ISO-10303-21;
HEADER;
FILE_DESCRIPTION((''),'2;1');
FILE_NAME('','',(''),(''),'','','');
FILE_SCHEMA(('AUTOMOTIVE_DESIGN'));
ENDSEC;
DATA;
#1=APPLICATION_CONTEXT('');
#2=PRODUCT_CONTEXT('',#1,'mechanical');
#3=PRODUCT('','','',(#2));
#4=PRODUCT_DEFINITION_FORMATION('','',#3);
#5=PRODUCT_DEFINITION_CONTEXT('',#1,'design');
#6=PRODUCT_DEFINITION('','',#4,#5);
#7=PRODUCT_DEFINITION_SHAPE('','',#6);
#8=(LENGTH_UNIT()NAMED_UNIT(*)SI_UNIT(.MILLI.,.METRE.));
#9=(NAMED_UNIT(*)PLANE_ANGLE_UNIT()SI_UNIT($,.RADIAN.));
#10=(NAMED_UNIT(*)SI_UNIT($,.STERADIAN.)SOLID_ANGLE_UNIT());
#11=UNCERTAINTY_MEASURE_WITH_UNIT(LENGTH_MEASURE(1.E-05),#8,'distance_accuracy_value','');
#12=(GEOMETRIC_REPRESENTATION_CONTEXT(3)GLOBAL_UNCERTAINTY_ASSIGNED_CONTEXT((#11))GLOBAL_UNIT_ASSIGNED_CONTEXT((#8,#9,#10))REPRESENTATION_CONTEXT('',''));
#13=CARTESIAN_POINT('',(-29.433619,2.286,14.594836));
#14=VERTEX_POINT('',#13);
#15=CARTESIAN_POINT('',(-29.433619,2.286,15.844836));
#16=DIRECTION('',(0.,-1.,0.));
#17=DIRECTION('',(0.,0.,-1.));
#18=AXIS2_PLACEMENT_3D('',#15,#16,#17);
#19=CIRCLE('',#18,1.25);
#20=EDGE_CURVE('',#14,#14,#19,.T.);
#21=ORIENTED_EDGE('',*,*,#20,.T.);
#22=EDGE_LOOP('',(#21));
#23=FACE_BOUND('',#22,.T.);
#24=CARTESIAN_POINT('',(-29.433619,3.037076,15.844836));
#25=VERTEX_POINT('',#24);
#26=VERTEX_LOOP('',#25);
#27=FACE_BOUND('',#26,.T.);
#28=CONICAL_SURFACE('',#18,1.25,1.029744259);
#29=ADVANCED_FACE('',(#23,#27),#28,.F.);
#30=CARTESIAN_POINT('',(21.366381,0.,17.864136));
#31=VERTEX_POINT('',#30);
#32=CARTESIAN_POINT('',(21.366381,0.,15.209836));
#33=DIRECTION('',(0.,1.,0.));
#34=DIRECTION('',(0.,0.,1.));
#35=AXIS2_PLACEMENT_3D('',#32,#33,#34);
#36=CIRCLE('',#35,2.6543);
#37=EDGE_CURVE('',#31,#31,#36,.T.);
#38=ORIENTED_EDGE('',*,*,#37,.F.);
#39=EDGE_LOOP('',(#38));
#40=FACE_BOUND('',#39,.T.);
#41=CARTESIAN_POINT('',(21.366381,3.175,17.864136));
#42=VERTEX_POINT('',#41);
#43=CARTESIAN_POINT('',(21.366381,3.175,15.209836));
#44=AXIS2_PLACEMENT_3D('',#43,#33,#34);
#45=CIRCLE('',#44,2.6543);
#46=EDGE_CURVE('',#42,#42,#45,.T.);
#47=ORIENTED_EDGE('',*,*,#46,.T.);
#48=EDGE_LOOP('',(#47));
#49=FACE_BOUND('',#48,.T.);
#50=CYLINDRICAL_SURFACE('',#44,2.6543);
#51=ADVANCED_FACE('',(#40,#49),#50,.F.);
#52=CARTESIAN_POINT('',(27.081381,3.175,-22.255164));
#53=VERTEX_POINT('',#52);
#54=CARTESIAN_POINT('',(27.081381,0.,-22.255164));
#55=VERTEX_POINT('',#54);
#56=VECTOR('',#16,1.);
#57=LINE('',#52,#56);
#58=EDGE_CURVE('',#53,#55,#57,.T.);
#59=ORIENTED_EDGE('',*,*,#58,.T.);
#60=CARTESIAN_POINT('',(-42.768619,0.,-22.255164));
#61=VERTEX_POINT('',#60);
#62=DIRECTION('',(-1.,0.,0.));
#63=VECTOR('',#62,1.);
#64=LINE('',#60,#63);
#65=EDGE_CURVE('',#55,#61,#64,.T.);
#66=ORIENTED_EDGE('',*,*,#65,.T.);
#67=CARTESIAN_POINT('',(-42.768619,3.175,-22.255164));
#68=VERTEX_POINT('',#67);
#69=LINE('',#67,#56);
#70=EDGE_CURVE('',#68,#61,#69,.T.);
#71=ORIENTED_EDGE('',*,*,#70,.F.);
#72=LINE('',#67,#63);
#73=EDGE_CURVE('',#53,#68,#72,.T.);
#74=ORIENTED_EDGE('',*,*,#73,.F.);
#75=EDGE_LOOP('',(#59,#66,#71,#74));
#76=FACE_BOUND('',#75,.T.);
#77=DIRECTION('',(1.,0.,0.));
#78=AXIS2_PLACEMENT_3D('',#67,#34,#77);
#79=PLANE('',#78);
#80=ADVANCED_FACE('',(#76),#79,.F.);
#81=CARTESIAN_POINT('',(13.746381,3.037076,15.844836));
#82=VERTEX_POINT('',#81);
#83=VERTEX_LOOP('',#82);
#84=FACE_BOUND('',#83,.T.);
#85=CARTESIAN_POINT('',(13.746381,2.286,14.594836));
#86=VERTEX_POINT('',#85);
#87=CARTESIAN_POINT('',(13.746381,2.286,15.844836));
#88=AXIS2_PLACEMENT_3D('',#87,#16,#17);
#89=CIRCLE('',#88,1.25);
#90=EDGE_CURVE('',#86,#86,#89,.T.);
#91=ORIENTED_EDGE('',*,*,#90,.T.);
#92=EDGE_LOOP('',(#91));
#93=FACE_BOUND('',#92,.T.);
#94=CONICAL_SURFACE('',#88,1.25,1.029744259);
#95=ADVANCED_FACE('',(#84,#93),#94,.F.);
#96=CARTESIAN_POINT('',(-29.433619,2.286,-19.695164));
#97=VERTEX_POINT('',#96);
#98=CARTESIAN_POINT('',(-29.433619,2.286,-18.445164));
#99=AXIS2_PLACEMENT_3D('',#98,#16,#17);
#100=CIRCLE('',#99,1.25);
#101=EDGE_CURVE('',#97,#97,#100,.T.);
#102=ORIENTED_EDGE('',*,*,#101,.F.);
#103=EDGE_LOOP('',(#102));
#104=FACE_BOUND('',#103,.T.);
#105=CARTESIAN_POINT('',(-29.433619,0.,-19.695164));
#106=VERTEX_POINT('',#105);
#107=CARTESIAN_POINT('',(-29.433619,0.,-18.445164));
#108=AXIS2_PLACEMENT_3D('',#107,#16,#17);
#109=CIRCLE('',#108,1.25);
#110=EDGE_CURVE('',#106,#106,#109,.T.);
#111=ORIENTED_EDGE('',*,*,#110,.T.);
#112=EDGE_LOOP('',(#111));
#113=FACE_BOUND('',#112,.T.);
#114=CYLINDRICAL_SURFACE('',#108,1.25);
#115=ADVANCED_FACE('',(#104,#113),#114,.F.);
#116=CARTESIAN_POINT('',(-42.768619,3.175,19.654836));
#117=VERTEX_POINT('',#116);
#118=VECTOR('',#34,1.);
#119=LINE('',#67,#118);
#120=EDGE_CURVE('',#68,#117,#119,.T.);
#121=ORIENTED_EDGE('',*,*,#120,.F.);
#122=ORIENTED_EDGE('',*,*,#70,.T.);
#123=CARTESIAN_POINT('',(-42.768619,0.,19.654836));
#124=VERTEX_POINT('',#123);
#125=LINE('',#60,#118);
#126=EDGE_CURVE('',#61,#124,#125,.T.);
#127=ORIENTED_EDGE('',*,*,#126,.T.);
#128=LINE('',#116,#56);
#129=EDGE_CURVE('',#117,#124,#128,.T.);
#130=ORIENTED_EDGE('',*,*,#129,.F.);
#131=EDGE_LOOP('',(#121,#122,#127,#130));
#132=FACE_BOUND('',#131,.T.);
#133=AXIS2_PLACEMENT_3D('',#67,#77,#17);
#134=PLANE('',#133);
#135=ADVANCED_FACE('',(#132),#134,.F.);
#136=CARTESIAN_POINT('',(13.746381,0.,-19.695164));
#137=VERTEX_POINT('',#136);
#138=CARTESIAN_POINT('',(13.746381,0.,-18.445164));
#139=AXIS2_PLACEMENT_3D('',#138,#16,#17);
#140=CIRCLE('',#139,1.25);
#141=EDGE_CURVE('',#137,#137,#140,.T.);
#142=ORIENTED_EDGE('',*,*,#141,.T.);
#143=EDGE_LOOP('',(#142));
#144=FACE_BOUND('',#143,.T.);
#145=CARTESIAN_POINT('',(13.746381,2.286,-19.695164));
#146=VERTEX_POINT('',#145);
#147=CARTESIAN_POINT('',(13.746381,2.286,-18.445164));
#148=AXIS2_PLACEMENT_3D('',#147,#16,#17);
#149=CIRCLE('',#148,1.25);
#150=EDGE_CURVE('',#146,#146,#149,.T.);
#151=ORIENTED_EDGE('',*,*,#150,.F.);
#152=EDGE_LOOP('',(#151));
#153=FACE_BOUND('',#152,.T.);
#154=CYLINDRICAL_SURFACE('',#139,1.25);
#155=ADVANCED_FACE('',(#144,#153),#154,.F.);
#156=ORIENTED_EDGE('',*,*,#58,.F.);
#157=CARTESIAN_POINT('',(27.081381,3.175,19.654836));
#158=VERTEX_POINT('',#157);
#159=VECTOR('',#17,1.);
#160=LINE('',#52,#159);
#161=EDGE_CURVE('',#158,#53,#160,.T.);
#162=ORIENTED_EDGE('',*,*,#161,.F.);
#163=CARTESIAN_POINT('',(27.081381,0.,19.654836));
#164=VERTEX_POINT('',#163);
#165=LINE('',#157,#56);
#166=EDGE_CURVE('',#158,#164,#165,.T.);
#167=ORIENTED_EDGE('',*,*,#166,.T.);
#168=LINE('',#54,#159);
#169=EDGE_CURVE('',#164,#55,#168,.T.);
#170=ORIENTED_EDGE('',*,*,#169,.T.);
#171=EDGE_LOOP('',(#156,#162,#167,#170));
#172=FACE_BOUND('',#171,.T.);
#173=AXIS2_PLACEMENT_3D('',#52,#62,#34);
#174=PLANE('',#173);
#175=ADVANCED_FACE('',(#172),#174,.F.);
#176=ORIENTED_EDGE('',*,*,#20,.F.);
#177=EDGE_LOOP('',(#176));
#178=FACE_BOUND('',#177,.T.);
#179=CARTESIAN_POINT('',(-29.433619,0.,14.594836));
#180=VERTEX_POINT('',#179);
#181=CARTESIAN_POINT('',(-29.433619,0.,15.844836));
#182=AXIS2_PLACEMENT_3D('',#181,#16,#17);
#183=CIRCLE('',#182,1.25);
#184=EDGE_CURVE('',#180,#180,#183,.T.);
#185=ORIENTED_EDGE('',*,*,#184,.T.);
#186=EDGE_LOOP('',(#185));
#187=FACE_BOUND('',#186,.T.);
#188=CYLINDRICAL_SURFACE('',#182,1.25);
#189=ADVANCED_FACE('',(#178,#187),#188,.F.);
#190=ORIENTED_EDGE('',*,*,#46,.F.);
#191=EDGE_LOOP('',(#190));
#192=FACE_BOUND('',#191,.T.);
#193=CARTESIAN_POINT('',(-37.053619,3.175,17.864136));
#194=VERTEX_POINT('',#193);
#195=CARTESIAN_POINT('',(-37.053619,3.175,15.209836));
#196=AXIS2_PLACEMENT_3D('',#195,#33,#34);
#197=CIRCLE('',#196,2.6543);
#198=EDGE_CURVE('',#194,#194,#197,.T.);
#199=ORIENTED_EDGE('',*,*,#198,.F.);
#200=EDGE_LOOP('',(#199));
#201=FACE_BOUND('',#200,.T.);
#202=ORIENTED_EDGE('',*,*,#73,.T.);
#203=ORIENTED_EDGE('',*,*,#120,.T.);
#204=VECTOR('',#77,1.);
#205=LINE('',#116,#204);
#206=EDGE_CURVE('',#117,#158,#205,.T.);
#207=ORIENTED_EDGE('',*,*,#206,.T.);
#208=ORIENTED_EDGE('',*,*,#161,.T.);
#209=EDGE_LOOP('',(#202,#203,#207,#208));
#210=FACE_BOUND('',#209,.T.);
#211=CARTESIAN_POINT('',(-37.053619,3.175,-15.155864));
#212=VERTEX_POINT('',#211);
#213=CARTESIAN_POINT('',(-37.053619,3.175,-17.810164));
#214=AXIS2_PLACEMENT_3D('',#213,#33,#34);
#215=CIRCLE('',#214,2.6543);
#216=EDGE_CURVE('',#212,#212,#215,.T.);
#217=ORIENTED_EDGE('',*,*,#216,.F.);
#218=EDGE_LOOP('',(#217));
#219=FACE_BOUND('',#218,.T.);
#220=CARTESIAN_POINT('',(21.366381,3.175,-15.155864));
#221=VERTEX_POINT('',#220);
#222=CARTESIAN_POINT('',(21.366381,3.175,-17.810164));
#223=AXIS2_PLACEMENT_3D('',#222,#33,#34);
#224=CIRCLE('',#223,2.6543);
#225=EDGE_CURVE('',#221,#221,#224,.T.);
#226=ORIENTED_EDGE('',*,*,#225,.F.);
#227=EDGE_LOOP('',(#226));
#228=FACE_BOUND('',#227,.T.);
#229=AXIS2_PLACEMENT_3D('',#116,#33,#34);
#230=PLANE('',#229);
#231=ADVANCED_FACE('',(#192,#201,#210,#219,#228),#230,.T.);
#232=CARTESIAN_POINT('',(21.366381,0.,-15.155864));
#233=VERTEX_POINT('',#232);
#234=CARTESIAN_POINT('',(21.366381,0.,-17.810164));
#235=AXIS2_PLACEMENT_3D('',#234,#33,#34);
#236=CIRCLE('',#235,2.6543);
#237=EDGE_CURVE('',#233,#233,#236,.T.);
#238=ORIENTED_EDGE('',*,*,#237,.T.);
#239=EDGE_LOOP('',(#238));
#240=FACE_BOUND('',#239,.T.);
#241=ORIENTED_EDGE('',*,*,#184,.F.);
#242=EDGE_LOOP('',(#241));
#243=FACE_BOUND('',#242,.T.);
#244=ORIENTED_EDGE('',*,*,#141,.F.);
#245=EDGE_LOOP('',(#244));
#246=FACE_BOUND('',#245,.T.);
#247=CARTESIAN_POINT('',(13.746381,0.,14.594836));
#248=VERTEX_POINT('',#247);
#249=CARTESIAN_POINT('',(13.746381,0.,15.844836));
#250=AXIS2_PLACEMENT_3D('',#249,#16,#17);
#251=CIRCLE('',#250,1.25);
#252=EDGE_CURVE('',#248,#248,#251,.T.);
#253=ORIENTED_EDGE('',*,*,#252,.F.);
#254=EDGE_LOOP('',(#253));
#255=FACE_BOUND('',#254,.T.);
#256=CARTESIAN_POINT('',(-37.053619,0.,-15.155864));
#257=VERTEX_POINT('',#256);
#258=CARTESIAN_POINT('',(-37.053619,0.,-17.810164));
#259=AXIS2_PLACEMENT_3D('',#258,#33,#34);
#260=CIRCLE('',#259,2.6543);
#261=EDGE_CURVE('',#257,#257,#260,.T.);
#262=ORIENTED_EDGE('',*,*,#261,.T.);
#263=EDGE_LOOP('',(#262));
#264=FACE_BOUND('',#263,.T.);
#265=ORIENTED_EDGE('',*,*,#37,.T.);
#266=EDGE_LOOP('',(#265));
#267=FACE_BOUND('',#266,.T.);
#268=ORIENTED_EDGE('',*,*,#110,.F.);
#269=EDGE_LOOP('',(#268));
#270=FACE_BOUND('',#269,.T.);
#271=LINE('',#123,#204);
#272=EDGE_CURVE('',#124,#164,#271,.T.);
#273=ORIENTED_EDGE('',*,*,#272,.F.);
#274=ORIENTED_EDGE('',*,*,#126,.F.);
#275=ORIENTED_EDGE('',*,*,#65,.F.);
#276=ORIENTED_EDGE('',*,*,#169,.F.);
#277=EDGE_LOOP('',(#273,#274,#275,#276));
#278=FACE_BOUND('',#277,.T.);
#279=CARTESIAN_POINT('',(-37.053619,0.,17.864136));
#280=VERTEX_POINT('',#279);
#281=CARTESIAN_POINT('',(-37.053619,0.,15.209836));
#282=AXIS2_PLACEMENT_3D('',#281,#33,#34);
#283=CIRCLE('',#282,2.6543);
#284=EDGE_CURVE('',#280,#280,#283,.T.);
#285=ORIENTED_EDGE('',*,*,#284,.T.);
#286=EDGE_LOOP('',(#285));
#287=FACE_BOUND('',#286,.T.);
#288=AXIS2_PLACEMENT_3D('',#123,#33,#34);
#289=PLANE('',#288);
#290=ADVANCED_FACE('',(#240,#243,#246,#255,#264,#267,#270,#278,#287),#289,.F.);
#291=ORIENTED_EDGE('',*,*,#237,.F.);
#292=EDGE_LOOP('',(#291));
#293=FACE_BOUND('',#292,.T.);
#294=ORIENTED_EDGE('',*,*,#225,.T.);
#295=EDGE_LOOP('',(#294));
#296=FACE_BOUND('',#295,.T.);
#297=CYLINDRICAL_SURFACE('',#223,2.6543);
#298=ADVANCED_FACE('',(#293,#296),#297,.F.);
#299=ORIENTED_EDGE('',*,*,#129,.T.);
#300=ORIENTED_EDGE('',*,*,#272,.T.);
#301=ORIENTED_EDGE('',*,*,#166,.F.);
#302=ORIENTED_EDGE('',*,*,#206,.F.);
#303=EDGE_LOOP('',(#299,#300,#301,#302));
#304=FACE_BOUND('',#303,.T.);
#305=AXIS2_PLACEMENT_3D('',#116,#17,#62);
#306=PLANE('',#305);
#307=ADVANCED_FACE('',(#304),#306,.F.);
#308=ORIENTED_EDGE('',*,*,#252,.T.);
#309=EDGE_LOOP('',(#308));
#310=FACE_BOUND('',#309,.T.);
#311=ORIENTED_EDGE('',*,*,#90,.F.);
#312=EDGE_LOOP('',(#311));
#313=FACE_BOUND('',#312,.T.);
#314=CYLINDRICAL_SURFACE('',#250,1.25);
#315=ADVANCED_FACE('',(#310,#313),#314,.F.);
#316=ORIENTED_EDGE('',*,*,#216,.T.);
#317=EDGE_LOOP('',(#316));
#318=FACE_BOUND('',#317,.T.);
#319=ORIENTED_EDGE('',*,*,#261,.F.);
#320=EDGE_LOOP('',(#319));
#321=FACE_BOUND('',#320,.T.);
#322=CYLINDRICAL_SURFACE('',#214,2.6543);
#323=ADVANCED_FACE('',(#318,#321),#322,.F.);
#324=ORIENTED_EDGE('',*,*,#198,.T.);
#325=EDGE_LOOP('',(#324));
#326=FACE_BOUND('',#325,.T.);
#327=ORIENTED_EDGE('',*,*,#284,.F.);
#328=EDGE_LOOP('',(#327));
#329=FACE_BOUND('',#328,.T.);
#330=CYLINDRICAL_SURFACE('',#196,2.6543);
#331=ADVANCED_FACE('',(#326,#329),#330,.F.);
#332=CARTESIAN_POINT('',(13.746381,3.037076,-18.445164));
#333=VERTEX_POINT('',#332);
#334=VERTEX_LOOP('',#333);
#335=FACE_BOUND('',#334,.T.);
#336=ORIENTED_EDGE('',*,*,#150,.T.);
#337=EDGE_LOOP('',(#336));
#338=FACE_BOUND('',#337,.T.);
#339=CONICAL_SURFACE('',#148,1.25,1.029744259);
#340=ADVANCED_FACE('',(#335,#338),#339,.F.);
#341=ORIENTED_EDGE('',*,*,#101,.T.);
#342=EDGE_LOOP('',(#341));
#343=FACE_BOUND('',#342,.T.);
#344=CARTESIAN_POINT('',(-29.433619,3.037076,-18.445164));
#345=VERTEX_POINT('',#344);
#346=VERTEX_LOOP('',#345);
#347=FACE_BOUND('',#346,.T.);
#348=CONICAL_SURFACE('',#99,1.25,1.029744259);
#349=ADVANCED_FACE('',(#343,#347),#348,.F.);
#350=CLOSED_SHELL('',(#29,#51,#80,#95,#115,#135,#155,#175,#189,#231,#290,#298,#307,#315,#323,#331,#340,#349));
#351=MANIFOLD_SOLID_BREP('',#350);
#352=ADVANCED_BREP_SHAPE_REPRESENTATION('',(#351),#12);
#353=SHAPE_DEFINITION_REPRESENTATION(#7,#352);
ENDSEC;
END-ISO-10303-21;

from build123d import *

# Parameters (mm, degrees)
SKETCH1_W                            = 69.85
SKETCH1_H                            = 41.91
BOSS_EXTRUDE1_DEPTH                  = 3.175
F_SIZE_BIT_1_4_CLEARANCE_HOLE1_D     = 5.3086
F_SIZE_BIT_1_4_CLEARANCE_HOLE1_DEPTH = 12.7
F_SIZE_BIT_1_4_CLEARANCE_HOLE1_TIP   = 1.594864341
LPATTERN2_COUNT                      = 2
LPATTERN2_PITCH                      = 43.18
LPATTERN2_COUNT_DIR2                 = 2
LPATTERN2_PITCH_DIR2                 = 34.29


with BuildPart() as part:
    # Sketch1 → Boss-Extrude1 (new body)
    with BuildSketch(Plane(origin=(0, 0, 0), x_dir=(1, 0, 0), z_dir=(0, 1, 0))):
        with Locations((-7.843619051, 1.300163759)):
            Rectangle(SKETCH1_W, SKETCH1_H)
    extrude(amount=BOSS_EXTRUDE1_DEPTH)

    # F size bit 1/4 Clearance Hole1
    with Locations(Plane(origin=(0, 3.175, 0), x_dir=(-1, 0, 0), z_dir=(0, 1, 0))):
        with Locations((37.053619051, 15.209836241), (-21.366380949, 15.209836241), (-21.366380949, -17.810163759), (37.053619051, -17.810163759)):
            Hole(F_SIZE_BIT_1_4_CLEARANCE_HOLE1_D / 2, depth=F_SIZE_BIT_1_4_CLEARANCE_HOLE1_DEPTH)
            with Locations((0, 0, -(F_SIZE_BIT_1_4_CLEARANCE_HOLE1_DEPTH + F_SIZE_BIT_1_4_CLEARANCE_HOLE1_TIP / 2))):  # 118° drill point
                Cone(0, F_SIZE_BIT_1_4_CLEARANCE_HOLE1_D / 2, F_SIZE_BIT_1_4_CLEARANCE_HOLE1_TIP, mode=Mode.SUBTRACT)

    # Sketch14 → Tap Drill for M3x0.5 Tap1 (revolve, cut)
    with BuildSketch(Plane(origin=(-29.433619051, 0, 15.844836241), x_dir=(0, 0, -1), z_dir=(1, 0, 0))):
        Polygon((0, 0), (0, 3.037075774), (1.25, 2.286), (1.25, 0), align=None)
    tap_drill_for_m3x0_5_tap1 = revolve(axis=Axis((-29.433619051, -6.35, 15.844836241), (0, 1, 0)), mode=Mode.SUBTRACT)

    # LPattern2: Tap Drill for M3x0.5 Tap1 2 × 2
    with Locations(*[(i * LPATTERN2_PITCH, 0, -j * LPATTERN2_PITCH_DIR2) for i in range(LPATTERN2_COUNT) for j in range(LPATTERN2_COUNT_DIR2) if (i, j) != (0, 0)]):
        add(tap_drill_for_m3x0_5_tap1, mode=Mode.SUBTRACT)


solid = part.part
